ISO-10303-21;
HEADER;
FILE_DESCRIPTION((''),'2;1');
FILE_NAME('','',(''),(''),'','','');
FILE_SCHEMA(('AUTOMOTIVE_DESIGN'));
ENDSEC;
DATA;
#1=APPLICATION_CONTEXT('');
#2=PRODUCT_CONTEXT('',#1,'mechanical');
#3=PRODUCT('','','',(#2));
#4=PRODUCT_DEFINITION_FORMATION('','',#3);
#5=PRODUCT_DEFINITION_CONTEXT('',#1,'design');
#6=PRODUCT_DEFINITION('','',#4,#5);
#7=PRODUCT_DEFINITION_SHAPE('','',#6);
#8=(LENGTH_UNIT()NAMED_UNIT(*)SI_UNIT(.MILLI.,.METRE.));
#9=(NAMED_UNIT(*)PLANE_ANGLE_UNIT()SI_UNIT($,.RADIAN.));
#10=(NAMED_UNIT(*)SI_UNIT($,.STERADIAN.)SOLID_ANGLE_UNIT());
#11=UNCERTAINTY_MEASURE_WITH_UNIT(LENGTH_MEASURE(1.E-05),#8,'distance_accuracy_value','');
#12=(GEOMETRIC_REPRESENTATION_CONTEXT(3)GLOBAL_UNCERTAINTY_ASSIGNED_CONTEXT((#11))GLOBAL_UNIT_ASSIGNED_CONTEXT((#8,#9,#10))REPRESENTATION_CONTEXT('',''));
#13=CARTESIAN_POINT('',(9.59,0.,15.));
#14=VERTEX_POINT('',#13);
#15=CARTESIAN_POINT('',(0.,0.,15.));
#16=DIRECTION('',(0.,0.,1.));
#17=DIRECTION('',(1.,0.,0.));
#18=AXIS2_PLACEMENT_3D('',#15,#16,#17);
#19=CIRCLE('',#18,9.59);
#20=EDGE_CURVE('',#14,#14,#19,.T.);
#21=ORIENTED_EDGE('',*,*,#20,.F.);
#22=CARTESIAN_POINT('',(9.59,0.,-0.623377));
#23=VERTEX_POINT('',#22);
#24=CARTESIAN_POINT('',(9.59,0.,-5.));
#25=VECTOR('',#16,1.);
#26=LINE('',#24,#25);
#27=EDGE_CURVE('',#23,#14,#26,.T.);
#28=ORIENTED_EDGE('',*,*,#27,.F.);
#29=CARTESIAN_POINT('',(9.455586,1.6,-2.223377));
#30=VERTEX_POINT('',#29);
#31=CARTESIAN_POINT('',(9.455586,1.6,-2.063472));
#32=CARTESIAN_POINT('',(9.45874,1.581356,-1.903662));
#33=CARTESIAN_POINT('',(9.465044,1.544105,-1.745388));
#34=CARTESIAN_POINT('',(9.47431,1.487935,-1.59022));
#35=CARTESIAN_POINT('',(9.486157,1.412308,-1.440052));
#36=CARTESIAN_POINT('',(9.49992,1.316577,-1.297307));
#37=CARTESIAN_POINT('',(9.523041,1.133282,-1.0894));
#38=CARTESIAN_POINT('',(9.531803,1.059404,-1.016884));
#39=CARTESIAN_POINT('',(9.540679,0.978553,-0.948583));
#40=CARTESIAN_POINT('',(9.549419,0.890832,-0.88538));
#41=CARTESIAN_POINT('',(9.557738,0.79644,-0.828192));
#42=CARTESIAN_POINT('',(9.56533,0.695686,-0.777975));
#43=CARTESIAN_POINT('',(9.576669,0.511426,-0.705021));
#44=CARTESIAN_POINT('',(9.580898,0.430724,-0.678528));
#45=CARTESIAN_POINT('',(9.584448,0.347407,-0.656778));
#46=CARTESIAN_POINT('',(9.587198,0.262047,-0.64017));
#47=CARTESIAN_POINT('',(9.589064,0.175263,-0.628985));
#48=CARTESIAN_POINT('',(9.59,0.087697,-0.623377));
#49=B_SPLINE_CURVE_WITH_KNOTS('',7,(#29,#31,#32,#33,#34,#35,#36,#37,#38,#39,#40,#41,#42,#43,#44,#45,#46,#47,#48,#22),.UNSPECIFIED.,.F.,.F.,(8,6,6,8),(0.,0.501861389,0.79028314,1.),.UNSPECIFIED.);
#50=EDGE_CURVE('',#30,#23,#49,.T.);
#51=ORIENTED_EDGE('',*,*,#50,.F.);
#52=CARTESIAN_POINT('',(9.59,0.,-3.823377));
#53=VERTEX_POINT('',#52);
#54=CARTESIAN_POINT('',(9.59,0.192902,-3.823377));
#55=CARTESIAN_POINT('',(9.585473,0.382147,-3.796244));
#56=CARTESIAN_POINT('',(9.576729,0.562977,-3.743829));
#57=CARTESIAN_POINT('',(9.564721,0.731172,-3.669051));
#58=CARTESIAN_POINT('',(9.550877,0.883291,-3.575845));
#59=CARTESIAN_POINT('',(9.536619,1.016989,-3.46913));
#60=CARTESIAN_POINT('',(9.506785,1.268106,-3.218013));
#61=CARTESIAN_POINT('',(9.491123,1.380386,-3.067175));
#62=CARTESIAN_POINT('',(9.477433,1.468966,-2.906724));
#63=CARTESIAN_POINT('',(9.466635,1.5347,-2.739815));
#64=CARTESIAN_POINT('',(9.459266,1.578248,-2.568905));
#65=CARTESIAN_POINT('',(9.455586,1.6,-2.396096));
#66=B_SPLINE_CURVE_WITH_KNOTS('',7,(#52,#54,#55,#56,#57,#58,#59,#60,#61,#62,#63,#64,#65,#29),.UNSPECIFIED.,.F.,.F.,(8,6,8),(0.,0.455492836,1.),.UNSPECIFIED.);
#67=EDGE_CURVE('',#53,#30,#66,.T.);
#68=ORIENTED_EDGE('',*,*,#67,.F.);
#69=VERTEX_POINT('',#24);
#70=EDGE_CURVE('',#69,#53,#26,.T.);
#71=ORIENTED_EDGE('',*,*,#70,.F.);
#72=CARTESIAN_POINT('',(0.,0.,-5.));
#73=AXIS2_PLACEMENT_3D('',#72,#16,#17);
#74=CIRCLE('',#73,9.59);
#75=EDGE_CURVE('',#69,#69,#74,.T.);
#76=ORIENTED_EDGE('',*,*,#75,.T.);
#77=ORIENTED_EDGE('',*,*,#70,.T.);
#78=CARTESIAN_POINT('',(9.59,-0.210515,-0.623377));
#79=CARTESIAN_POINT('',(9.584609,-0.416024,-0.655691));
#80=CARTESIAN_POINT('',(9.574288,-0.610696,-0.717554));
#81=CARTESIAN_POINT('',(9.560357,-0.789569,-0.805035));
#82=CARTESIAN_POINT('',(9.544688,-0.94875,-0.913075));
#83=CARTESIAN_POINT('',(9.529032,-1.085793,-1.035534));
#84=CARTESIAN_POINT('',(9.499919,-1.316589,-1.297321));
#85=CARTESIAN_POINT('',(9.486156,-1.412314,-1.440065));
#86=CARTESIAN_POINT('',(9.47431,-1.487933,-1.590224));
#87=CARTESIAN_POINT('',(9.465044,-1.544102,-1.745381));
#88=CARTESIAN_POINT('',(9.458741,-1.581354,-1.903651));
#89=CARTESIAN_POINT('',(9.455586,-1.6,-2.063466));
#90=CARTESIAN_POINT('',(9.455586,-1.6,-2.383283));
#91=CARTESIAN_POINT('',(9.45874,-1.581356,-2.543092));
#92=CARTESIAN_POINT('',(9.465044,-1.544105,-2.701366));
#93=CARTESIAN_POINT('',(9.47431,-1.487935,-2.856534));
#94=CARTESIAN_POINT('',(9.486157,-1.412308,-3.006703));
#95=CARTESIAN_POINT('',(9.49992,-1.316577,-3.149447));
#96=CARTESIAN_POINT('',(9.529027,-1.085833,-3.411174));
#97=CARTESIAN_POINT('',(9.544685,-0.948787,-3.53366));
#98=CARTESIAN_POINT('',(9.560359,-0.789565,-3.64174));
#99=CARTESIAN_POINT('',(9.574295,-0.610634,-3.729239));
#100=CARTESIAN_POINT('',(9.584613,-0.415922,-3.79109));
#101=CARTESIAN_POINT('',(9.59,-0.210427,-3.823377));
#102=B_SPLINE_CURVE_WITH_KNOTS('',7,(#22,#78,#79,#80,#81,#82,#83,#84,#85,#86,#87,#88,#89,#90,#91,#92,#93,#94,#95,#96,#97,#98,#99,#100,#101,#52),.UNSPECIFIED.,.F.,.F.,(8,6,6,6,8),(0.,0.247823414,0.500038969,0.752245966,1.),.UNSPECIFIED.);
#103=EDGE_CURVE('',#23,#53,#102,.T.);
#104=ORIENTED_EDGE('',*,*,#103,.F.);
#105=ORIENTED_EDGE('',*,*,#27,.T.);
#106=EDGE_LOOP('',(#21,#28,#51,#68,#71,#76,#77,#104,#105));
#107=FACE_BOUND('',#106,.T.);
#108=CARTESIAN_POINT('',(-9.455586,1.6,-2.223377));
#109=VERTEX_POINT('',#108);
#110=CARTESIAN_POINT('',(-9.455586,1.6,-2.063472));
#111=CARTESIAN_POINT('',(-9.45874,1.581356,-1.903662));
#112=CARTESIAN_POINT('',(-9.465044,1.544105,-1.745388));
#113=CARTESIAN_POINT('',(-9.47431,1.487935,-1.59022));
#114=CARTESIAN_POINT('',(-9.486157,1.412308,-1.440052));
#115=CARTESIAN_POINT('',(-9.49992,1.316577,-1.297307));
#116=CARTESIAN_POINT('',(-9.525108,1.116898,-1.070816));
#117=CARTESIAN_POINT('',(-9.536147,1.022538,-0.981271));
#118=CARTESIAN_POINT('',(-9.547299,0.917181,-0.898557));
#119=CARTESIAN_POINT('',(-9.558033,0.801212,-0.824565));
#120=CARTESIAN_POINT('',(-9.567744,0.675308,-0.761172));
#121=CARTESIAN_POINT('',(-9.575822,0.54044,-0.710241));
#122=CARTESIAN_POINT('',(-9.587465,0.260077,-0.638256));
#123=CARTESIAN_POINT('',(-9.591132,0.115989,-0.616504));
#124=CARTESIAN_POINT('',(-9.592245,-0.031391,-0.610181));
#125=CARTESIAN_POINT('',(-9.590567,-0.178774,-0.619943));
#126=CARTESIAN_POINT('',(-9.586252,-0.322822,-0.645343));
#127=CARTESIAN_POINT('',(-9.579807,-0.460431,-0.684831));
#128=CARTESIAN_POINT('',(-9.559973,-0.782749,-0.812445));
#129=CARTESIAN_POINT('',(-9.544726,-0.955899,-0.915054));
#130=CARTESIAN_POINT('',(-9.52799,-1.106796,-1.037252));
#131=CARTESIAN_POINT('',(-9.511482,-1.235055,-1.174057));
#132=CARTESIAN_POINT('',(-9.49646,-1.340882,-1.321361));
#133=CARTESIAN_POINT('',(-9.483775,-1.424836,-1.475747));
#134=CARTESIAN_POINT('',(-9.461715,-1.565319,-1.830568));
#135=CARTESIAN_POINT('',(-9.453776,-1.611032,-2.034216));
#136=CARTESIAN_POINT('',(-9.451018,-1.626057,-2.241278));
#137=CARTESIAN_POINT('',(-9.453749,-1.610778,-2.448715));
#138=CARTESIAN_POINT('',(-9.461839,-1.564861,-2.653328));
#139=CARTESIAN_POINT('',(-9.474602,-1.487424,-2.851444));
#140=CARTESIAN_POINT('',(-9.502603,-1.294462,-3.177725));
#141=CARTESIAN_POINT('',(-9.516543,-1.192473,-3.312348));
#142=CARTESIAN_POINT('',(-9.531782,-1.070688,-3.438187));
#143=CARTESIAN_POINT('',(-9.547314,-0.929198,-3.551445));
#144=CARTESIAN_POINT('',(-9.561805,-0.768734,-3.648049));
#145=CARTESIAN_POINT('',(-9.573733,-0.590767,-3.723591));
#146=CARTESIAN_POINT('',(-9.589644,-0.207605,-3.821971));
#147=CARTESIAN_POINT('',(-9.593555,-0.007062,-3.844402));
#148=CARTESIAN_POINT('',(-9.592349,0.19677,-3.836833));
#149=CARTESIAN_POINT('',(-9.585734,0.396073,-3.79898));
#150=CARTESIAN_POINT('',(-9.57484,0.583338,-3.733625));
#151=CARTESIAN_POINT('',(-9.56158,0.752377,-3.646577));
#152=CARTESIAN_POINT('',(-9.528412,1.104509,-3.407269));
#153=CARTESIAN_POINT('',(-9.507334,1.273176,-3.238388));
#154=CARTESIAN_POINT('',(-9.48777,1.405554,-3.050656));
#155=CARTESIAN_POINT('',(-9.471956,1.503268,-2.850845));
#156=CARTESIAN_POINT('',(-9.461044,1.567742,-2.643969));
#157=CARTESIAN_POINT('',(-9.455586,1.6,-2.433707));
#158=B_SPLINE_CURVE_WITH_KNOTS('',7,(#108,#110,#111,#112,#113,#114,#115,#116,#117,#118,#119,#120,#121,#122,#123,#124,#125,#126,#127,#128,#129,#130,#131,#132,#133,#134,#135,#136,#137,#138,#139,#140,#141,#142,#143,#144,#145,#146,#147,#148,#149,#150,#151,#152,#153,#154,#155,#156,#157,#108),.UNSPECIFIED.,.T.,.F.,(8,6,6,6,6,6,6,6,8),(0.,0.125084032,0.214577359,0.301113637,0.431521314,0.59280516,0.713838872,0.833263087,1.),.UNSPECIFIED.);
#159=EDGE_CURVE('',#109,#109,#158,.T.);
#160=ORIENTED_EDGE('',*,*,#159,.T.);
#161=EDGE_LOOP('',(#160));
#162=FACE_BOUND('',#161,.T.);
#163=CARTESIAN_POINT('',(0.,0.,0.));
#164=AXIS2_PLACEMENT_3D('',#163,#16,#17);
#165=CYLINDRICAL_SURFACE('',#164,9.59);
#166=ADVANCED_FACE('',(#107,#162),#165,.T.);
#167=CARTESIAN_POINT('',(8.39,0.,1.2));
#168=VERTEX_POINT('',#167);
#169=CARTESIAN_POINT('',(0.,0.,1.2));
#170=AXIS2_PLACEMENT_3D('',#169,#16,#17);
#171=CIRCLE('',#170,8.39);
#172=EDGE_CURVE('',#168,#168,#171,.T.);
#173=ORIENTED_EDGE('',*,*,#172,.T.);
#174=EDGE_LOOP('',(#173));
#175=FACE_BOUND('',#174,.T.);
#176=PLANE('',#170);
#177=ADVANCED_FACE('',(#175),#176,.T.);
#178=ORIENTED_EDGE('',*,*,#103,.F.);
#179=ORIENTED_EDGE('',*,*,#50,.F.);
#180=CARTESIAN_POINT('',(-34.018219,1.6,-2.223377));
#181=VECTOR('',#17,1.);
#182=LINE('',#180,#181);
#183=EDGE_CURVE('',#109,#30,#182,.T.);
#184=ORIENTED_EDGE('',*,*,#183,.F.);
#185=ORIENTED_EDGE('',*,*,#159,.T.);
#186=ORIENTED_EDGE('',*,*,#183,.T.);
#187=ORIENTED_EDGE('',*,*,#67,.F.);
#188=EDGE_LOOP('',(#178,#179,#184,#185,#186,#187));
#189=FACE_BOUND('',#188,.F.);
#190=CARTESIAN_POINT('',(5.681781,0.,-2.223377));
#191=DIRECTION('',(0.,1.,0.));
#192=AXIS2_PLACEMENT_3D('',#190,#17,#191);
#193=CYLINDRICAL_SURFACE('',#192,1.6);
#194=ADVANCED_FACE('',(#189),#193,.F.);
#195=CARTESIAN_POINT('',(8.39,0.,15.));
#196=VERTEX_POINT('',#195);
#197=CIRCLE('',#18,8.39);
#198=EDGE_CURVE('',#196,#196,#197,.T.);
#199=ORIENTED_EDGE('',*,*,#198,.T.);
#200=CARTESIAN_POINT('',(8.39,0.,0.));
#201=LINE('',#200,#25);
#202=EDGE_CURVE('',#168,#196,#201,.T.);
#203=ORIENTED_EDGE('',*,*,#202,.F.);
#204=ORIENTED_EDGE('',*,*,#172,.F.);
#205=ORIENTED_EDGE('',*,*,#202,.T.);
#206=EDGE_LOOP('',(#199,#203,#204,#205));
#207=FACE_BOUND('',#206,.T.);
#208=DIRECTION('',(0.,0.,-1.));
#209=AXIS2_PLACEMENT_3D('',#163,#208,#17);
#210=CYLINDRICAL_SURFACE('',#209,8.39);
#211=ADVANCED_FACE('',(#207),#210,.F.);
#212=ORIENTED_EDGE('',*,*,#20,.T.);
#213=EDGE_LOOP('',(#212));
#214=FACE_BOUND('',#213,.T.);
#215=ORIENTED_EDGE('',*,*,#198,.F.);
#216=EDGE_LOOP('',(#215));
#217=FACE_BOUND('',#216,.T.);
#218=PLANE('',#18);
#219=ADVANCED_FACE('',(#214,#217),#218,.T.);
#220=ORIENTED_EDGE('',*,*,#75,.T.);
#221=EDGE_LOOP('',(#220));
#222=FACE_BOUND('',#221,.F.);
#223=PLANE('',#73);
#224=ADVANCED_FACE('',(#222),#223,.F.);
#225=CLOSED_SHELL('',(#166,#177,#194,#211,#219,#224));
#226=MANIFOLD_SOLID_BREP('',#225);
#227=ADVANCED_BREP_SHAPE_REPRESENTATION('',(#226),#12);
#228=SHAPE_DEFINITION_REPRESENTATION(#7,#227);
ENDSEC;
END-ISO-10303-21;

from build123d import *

# Parameters (mm, degrees)
F0_R     = 9.59
F0_R_2   = 8.39
F1_DEPTH = 15
F2_DEPTH = 1.2
F3_W     = 2
F3_H     = 6
F4_DEPTH = 5
F5_R     = 1.6
F6_DEPTH = 15.2727807522
F7_DEPTH = 5
F8_DEPTH = 5
F9_DEPTH = 39.7


with BuildPart() as f1:
    # F0 (on Top) → F1 (new body)
    with BuildSketch(Plane.XY):
        Circle(F0_R)
        Circle(F0_R_2, mode=Mode.SUBTRACT)
    extrude(amount=F1_DEPTH)

    # F0 (on Top) → F2 (join)
    with BuildSketch(Plane.XY):
        Circle(F0_R_2)
    extrude(amount=F2_DEPTH)

    # F3 (on face) → F4 (join)
    with BuildSketch(Plane.XY):
        with Locations((-4.6817807522, 0)):
            Rectangle(F3_W, F3_H)
        with Locations((4.6817807522, 0)):
            Rectangle(F3_W, F3_H)
    extrude(amount=-F4_DEPTH)

    # F5 (on face) → F6 (cut, through all)
    with BuildSketch(Plane.YZ.offset(5.6817807522)):
        with Locations((0, -2.223377116)):
            Circle(F5_R)
    extrude(amount=-F6_DEPTH, mode=Mode.SUBTRACT)

    # F0 (on Top) → F7 (join)
    with BuildSketch(Plane.XY):
        Circle(F0_R_2)
    extrude(amount=-F7_DEPTH)

    # F0 (on Top) → F8 (join)
    with BuildSketch(Plane.XY):
        Circle(F0_R)
        Circle(F0_R_2, mode=Mode.SUBTRACT)
    extrude(amount=-F8_DEPTH)

    # F5 (on face) → F9 (cut, symmetric)
    with BuildSketch(Plane.YZ.offset(5.6817807522)):
        with Locations((0, -2.223377116)):
            Circle(F5_R)
    extrude(amount=F9_DEPTH, both=True, mode=Mode.SUBTRACT)


solid = f1.part
